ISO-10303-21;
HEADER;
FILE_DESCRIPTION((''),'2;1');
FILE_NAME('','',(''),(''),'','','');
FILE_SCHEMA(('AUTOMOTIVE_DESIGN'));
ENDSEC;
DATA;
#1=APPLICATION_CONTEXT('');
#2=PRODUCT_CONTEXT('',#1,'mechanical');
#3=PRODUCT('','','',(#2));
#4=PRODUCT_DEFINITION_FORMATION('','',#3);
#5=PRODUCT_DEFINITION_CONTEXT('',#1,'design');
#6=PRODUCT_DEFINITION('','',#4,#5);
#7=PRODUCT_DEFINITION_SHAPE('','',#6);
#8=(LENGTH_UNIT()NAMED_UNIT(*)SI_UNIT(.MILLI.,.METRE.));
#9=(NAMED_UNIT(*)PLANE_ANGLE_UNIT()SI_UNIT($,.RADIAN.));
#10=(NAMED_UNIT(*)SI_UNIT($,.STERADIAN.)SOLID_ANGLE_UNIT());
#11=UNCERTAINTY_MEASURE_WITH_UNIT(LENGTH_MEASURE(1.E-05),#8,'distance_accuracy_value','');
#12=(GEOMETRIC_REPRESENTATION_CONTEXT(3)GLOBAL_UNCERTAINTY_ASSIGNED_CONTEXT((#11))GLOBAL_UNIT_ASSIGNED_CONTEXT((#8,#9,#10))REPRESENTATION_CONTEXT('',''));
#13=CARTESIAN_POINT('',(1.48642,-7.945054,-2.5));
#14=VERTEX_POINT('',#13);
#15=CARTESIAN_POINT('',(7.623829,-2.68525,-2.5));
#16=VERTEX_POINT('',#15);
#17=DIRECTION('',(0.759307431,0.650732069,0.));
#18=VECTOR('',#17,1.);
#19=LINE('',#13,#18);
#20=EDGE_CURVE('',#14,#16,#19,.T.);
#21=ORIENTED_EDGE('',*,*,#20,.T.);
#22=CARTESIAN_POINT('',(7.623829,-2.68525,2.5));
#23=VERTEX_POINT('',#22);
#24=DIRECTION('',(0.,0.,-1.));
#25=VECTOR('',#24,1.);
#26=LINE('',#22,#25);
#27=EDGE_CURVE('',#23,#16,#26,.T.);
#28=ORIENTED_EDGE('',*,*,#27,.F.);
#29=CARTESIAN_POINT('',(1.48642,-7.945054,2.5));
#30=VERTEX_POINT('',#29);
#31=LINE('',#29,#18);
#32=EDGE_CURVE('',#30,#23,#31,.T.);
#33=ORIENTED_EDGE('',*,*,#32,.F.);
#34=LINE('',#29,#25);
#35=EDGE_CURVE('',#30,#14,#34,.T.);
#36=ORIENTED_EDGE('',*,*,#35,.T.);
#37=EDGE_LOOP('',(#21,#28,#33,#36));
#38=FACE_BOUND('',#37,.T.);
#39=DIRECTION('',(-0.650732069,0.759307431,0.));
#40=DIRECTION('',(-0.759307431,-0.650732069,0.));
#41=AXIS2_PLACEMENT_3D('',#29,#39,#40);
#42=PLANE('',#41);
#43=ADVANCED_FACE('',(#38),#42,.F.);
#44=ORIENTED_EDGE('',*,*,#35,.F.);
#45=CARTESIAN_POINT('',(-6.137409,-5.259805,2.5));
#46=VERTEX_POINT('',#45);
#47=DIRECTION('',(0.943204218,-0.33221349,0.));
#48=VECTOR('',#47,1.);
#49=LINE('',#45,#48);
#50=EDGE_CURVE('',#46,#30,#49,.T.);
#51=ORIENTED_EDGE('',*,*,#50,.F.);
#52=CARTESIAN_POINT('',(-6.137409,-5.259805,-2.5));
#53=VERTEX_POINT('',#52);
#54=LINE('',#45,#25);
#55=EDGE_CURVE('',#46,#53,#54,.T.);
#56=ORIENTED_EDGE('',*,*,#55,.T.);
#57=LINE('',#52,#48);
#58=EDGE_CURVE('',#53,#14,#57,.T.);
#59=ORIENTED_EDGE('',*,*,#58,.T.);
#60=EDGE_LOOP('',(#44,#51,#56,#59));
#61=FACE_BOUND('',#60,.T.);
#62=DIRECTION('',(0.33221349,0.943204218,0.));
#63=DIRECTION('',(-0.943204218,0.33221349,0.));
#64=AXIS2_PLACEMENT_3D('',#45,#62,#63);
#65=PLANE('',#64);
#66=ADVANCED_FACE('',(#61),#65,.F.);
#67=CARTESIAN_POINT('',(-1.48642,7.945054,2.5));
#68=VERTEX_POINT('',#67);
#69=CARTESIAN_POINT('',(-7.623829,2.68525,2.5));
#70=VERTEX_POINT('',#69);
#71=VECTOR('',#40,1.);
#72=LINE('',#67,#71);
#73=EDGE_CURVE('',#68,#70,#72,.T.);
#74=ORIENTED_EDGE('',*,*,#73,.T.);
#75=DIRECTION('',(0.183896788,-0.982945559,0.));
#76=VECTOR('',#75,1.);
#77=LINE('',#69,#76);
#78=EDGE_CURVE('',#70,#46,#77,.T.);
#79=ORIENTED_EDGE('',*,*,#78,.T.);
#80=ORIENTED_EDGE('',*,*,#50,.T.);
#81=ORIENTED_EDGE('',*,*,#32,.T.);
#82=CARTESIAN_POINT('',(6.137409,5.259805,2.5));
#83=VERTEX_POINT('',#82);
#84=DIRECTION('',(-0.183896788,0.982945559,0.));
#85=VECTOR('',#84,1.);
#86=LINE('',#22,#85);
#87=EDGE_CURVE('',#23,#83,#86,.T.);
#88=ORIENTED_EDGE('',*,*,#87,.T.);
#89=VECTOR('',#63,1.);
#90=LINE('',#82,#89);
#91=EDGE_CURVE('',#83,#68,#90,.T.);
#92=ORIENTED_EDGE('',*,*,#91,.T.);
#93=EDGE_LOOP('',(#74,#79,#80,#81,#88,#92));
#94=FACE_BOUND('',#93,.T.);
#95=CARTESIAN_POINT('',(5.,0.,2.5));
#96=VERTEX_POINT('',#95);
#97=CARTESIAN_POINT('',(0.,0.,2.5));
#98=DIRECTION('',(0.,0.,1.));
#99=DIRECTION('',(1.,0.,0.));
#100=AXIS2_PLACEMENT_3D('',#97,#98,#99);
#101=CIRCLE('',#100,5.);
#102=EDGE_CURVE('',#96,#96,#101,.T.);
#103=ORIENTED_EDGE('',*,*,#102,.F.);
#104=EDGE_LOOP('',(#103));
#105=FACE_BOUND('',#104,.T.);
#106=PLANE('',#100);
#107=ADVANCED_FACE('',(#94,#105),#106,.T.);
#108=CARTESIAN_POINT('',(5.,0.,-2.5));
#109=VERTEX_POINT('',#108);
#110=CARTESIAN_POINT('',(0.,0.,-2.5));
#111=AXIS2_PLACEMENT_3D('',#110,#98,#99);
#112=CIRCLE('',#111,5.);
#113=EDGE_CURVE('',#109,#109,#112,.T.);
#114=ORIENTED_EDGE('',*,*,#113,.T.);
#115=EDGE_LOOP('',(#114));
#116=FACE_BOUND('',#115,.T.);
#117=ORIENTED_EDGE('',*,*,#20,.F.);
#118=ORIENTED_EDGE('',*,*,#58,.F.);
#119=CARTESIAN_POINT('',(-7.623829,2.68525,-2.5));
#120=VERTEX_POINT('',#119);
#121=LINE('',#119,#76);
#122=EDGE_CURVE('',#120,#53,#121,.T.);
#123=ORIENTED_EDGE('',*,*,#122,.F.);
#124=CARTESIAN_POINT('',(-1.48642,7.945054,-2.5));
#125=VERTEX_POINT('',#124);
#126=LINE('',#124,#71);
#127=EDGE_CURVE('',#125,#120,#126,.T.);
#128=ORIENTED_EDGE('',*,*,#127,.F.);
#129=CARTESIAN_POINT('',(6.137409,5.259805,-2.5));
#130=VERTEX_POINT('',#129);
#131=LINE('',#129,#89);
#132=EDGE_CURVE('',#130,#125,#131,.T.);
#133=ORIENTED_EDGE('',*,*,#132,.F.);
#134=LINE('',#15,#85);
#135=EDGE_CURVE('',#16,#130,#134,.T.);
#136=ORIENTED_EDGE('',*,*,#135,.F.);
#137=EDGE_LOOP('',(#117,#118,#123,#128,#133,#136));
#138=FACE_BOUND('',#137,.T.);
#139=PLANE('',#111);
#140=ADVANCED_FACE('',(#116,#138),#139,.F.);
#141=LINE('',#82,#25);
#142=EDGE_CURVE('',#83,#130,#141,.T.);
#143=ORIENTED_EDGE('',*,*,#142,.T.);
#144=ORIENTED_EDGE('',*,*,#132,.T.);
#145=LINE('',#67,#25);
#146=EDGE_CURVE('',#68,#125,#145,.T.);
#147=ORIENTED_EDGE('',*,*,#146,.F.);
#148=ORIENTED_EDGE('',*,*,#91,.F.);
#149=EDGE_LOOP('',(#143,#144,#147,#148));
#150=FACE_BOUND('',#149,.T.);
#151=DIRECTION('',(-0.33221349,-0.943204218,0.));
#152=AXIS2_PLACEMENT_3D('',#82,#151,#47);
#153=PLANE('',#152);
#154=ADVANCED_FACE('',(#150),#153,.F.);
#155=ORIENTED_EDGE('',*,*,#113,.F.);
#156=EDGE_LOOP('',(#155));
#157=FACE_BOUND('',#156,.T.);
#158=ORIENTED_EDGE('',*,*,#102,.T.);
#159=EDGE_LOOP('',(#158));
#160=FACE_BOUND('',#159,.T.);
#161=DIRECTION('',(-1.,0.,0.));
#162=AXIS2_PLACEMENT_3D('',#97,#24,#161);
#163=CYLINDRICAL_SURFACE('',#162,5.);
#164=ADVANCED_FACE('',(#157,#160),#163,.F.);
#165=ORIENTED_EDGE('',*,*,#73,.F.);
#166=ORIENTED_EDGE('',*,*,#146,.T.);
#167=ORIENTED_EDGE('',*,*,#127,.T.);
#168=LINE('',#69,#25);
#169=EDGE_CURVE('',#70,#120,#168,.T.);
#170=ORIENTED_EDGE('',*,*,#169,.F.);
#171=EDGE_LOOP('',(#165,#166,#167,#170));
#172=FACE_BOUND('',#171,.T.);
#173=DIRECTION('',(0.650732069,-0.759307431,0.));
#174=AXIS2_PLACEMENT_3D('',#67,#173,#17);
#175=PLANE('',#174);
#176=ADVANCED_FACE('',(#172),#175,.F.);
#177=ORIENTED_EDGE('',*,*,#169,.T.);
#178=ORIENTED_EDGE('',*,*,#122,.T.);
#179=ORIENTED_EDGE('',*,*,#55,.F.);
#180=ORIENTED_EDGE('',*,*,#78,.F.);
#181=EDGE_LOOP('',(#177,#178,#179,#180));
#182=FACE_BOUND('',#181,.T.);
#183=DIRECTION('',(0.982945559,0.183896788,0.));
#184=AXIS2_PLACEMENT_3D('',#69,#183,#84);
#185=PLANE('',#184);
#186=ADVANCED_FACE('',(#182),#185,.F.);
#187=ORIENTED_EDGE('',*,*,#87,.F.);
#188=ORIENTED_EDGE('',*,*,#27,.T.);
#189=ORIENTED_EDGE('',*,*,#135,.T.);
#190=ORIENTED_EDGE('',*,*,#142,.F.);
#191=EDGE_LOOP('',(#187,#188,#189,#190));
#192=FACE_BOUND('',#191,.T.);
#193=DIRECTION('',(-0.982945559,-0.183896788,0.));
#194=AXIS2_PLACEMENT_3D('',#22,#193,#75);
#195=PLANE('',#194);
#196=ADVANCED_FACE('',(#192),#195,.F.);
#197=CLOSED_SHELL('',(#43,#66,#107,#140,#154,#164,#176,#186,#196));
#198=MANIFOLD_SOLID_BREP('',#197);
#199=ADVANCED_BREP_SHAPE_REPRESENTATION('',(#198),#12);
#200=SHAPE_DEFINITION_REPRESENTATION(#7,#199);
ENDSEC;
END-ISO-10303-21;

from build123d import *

# Parameters (mm, degrees)
SKETCH1_R           = 5
BOSS_EXTRUDE1_DEPTH = 2.5


with BuildPart() as part:
    # Sketch1 → Boss-Extrude1 (new, symmetric)
    with BuildSketch(Plane.XY):
        Polygon((1.486420037, -7.945054361), (7.62382893, -2.685249668), (6.137408893, 5.259804694), (-1.486420037, 7.945054361), (-7.62382893, 2.685249668), (-6.137408893, -5.259804694), align=None)
        Circle(SKETCH1_R, mode=Mode.SUBTRACT)
    extrude(amount=BOSS_EXTRUDE1_DEPTH, both=True)


solid = part.part
